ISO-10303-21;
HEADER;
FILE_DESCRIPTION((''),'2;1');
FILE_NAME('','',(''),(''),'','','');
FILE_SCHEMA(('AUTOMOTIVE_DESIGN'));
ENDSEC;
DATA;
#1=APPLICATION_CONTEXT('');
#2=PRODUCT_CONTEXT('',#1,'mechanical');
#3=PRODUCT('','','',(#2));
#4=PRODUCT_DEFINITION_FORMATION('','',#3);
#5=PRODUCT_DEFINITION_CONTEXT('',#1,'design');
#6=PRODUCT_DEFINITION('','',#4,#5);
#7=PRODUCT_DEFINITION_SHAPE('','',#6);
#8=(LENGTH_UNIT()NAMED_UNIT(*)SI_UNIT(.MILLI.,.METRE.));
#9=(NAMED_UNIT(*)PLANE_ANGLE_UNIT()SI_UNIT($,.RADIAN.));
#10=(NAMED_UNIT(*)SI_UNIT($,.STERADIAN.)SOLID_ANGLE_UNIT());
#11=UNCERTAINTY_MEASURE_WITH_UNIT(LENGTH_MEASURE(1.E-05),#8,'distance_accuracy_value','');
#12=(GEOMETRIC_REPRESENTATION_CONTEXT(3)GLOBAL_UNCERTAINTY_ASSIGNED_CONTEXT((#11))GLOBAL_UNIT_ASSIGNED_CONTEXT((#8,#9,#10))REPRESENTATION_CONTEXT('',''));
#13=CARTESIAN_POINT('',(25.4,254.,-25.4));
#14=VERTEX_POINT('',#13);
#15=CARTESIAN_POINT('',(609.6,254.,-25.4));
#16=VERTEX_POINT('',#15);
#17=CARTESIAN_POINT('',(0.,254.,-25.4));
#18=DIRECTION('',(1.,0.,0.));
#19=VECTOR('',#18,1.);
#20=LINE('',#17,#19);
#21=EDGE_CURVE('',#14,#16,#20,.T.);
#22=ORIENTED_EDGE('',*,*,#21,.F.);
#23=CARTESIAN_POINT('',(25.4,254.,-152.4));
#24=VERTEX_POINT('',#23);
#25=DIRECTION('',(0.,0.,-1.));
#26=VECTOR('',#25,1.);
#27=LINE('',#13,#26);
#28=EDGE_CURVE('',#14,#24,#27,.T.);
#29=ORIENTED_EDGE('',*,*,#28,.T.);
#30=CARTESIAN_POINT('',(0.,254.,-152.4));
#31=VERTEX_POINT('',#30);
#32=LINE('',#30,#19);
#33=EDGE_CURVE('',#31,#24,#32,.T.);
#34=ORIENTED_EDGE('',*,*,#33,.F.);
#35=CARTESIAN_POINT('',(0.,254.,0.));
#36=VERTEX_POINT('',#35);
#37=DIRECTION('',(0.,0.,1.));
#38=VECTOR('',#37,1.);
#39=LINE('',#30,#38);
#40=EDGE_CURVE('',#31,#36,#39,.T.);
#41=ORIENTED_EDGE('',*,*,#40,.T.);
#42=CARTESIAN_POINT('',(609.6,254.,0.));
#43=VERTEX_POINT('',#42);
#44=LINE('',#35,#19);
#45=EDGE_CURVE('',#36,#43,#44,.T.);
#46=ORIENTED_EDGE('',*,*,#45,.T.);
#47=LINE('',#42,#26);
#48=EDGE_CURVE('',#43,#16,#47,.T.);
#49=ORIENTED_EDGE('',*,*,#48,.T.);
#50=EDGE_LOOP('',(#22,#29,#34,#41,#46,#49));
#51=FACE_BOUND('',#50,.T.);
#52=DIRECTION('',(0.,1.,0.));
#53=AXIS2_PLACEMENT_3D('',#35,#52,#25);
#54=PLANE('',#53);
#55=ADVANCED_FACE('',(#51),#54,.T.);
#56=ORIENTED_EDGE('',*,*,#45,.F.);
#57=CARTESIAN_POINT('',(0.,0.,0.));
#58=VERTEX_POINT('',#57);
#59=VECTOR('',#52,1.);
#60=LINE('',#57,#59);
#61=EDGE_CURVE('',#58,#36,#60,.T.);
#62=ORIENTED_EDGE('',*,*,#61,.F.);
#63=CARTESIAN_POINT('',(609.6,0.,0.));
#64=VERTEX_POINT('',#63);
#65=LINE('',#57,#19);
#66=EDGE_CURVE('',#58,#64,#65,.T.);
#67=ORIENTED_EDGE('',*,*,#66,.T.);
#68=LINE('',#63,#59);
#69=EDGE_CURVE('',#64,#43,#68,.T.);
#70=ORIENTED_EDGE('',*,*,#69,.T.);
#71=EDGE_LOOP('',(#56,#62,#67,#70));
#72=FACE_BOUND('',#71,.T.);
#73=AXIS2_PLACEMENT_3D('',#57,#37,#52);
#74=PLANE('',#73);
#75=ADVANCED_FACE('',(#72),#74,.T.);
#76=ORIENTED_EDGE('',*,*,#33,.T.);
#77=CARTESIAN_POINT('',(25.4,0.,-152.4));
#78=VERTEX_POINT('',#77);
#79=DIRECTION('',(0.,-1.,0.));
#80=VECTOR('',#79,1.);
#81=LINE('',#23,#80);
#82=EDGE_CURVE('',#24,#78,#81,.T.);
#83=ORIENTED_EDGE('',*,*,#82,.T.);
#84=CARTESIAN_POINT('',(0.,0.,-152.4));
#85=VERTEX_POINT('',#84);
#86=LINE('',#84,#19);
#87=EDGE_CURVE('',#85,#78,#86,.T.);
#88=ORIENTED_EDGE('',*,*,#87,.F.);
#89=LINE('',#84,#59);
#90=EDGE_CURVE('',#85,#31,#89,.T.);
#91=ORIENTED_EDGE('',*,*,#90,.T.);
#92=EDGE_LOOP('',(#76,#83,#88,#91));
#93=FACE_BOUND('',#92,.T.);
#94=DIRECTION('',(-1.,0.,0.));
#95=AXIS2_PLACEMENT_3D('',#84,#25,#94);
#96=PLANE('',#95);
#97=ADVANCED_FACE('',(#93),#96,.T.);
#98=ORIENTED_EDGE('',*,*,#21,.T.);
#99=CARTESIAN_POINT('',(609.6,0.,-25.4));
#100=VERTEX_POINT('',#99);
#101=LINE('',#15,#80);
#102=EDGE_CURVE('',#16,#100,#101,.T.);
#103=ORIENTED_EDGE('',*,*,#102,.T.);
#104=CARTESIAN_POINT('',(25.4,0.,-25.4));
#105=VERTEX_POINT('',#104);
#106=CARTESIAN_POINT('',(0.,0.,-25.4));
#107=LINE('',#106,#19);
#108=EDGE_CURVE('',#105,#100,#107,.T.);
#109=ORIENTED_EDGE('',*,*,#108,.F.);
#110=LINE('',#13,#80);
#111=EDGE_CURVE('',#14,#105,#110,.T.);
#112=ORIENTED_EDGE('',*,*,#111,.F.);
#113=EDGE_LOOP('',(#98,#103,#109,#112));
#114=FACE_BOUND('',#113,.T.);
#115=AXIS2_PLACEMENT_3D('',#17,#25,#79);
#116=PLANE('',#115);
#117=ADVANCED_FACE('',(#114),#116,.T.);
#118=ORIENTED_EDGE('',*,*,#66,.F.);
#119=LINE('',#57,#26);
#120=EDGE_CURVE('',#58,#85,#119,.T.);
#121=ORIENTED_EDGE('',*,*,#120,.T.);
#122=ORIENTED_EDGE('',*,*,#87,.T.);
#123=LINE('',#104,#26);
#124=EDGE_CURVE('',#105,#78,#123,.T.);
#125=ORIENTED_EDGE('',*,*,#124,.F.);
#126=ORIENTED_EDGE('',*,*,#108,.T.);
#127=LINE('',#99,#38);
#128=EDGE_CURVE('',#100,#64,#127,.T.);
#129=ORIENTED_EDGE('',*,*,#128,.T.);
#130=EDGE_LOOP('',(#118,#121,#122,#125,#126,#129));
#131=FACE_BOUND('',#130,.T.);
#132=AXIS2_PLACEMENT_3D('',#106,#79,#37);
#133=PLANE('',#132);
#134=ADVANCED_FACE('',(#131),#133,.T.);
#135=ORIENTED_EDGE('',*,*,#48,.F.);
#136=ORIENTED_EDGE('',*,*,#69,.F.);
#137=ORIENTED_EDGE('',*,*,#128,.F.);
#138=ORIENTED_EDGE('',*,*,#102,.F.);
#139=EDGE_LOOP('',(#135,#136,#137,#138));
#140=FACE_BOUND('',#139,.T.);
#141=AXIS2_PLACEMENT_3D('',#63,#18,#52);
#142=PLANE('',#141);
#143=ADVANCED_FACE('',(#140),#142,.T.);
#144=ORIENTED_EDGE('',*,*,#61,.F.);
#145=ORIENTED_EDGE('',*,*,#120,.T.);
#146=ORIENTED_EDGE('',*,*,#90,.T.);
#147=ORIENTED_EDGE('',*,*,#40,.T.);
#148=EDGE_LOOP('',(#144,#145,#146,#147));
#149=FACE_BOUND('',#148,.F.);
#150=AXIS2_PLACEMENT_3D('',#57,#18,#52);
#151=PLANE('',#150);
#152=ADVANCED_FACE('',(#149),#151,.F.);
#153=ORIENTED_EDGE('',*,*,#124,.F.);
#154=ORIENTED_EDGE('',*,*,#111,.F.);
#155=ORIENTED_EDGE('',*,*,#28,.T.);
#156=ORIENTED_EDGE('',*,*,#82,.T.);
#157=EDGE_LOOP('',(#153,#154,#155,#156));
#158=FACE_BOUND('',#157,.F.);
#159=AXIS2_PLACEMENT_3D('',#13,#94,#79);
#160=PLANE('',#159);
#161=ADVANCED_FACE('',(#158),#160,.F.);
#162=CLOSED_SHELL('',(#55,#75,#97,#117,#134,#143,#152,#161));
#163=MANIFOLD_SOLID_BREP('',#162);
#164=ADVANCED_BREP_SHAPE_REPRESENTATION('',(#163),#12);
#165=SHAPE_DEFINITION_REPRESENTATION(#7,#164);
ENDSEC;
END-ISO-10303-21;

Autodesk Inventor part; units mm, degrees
ref_plane "YZ Plane" through (0, 0, 0) normal (1, 0, 0) x (0, 1, 0)
ref_plane "XZ Plane" through (0, 0, 0) normal (0, 1, 0) x (-1, 0, 0)
ref_plane "XY Plane" through (0, 0, 0) normal (0, 0, 1) x (1, 0, 0)
sketch "Sketch1" plane through (0, 0, 0) normal (1, 0, 0) x (0, 1, 0)
  line L0 (0, 0) -> (254, 0)
  line L1 (254, 0) -> (254, -25.4)
  line L2 (254, -25.4) -> (0, -25.4)
  line L3 (0, -25.4) -> (0, 0)
  dimension "d0" = 254
  dimension "d1" = 25.4
extrude "Extrusion1" add sketch "Sketch1" along normal blind 609.6
sketch "Sketch2" plane through (0, 0, -25.4) normal (0, 0, -1) x (-1, 0, 0)
  line L0 (0, 0) -> (0, 254) projected
  line L1 (0, 0) -> (-609.6, 0) projected
  line L2 (0, 254) -> (-25.4, 254)
  line L3 (-25.4, 254) -> (-25.4, 0)
  line L4 (-25.4, 0) -> (0, 0)
  line L5 (0, 0) -> (0, 254)
  dimension "d4" = 25.4
extrude "Extrusion2" add sketch "Sketch2" along normal blind 127
properties part number "st-1 returnt" material "Granite, Cut, Polished"
